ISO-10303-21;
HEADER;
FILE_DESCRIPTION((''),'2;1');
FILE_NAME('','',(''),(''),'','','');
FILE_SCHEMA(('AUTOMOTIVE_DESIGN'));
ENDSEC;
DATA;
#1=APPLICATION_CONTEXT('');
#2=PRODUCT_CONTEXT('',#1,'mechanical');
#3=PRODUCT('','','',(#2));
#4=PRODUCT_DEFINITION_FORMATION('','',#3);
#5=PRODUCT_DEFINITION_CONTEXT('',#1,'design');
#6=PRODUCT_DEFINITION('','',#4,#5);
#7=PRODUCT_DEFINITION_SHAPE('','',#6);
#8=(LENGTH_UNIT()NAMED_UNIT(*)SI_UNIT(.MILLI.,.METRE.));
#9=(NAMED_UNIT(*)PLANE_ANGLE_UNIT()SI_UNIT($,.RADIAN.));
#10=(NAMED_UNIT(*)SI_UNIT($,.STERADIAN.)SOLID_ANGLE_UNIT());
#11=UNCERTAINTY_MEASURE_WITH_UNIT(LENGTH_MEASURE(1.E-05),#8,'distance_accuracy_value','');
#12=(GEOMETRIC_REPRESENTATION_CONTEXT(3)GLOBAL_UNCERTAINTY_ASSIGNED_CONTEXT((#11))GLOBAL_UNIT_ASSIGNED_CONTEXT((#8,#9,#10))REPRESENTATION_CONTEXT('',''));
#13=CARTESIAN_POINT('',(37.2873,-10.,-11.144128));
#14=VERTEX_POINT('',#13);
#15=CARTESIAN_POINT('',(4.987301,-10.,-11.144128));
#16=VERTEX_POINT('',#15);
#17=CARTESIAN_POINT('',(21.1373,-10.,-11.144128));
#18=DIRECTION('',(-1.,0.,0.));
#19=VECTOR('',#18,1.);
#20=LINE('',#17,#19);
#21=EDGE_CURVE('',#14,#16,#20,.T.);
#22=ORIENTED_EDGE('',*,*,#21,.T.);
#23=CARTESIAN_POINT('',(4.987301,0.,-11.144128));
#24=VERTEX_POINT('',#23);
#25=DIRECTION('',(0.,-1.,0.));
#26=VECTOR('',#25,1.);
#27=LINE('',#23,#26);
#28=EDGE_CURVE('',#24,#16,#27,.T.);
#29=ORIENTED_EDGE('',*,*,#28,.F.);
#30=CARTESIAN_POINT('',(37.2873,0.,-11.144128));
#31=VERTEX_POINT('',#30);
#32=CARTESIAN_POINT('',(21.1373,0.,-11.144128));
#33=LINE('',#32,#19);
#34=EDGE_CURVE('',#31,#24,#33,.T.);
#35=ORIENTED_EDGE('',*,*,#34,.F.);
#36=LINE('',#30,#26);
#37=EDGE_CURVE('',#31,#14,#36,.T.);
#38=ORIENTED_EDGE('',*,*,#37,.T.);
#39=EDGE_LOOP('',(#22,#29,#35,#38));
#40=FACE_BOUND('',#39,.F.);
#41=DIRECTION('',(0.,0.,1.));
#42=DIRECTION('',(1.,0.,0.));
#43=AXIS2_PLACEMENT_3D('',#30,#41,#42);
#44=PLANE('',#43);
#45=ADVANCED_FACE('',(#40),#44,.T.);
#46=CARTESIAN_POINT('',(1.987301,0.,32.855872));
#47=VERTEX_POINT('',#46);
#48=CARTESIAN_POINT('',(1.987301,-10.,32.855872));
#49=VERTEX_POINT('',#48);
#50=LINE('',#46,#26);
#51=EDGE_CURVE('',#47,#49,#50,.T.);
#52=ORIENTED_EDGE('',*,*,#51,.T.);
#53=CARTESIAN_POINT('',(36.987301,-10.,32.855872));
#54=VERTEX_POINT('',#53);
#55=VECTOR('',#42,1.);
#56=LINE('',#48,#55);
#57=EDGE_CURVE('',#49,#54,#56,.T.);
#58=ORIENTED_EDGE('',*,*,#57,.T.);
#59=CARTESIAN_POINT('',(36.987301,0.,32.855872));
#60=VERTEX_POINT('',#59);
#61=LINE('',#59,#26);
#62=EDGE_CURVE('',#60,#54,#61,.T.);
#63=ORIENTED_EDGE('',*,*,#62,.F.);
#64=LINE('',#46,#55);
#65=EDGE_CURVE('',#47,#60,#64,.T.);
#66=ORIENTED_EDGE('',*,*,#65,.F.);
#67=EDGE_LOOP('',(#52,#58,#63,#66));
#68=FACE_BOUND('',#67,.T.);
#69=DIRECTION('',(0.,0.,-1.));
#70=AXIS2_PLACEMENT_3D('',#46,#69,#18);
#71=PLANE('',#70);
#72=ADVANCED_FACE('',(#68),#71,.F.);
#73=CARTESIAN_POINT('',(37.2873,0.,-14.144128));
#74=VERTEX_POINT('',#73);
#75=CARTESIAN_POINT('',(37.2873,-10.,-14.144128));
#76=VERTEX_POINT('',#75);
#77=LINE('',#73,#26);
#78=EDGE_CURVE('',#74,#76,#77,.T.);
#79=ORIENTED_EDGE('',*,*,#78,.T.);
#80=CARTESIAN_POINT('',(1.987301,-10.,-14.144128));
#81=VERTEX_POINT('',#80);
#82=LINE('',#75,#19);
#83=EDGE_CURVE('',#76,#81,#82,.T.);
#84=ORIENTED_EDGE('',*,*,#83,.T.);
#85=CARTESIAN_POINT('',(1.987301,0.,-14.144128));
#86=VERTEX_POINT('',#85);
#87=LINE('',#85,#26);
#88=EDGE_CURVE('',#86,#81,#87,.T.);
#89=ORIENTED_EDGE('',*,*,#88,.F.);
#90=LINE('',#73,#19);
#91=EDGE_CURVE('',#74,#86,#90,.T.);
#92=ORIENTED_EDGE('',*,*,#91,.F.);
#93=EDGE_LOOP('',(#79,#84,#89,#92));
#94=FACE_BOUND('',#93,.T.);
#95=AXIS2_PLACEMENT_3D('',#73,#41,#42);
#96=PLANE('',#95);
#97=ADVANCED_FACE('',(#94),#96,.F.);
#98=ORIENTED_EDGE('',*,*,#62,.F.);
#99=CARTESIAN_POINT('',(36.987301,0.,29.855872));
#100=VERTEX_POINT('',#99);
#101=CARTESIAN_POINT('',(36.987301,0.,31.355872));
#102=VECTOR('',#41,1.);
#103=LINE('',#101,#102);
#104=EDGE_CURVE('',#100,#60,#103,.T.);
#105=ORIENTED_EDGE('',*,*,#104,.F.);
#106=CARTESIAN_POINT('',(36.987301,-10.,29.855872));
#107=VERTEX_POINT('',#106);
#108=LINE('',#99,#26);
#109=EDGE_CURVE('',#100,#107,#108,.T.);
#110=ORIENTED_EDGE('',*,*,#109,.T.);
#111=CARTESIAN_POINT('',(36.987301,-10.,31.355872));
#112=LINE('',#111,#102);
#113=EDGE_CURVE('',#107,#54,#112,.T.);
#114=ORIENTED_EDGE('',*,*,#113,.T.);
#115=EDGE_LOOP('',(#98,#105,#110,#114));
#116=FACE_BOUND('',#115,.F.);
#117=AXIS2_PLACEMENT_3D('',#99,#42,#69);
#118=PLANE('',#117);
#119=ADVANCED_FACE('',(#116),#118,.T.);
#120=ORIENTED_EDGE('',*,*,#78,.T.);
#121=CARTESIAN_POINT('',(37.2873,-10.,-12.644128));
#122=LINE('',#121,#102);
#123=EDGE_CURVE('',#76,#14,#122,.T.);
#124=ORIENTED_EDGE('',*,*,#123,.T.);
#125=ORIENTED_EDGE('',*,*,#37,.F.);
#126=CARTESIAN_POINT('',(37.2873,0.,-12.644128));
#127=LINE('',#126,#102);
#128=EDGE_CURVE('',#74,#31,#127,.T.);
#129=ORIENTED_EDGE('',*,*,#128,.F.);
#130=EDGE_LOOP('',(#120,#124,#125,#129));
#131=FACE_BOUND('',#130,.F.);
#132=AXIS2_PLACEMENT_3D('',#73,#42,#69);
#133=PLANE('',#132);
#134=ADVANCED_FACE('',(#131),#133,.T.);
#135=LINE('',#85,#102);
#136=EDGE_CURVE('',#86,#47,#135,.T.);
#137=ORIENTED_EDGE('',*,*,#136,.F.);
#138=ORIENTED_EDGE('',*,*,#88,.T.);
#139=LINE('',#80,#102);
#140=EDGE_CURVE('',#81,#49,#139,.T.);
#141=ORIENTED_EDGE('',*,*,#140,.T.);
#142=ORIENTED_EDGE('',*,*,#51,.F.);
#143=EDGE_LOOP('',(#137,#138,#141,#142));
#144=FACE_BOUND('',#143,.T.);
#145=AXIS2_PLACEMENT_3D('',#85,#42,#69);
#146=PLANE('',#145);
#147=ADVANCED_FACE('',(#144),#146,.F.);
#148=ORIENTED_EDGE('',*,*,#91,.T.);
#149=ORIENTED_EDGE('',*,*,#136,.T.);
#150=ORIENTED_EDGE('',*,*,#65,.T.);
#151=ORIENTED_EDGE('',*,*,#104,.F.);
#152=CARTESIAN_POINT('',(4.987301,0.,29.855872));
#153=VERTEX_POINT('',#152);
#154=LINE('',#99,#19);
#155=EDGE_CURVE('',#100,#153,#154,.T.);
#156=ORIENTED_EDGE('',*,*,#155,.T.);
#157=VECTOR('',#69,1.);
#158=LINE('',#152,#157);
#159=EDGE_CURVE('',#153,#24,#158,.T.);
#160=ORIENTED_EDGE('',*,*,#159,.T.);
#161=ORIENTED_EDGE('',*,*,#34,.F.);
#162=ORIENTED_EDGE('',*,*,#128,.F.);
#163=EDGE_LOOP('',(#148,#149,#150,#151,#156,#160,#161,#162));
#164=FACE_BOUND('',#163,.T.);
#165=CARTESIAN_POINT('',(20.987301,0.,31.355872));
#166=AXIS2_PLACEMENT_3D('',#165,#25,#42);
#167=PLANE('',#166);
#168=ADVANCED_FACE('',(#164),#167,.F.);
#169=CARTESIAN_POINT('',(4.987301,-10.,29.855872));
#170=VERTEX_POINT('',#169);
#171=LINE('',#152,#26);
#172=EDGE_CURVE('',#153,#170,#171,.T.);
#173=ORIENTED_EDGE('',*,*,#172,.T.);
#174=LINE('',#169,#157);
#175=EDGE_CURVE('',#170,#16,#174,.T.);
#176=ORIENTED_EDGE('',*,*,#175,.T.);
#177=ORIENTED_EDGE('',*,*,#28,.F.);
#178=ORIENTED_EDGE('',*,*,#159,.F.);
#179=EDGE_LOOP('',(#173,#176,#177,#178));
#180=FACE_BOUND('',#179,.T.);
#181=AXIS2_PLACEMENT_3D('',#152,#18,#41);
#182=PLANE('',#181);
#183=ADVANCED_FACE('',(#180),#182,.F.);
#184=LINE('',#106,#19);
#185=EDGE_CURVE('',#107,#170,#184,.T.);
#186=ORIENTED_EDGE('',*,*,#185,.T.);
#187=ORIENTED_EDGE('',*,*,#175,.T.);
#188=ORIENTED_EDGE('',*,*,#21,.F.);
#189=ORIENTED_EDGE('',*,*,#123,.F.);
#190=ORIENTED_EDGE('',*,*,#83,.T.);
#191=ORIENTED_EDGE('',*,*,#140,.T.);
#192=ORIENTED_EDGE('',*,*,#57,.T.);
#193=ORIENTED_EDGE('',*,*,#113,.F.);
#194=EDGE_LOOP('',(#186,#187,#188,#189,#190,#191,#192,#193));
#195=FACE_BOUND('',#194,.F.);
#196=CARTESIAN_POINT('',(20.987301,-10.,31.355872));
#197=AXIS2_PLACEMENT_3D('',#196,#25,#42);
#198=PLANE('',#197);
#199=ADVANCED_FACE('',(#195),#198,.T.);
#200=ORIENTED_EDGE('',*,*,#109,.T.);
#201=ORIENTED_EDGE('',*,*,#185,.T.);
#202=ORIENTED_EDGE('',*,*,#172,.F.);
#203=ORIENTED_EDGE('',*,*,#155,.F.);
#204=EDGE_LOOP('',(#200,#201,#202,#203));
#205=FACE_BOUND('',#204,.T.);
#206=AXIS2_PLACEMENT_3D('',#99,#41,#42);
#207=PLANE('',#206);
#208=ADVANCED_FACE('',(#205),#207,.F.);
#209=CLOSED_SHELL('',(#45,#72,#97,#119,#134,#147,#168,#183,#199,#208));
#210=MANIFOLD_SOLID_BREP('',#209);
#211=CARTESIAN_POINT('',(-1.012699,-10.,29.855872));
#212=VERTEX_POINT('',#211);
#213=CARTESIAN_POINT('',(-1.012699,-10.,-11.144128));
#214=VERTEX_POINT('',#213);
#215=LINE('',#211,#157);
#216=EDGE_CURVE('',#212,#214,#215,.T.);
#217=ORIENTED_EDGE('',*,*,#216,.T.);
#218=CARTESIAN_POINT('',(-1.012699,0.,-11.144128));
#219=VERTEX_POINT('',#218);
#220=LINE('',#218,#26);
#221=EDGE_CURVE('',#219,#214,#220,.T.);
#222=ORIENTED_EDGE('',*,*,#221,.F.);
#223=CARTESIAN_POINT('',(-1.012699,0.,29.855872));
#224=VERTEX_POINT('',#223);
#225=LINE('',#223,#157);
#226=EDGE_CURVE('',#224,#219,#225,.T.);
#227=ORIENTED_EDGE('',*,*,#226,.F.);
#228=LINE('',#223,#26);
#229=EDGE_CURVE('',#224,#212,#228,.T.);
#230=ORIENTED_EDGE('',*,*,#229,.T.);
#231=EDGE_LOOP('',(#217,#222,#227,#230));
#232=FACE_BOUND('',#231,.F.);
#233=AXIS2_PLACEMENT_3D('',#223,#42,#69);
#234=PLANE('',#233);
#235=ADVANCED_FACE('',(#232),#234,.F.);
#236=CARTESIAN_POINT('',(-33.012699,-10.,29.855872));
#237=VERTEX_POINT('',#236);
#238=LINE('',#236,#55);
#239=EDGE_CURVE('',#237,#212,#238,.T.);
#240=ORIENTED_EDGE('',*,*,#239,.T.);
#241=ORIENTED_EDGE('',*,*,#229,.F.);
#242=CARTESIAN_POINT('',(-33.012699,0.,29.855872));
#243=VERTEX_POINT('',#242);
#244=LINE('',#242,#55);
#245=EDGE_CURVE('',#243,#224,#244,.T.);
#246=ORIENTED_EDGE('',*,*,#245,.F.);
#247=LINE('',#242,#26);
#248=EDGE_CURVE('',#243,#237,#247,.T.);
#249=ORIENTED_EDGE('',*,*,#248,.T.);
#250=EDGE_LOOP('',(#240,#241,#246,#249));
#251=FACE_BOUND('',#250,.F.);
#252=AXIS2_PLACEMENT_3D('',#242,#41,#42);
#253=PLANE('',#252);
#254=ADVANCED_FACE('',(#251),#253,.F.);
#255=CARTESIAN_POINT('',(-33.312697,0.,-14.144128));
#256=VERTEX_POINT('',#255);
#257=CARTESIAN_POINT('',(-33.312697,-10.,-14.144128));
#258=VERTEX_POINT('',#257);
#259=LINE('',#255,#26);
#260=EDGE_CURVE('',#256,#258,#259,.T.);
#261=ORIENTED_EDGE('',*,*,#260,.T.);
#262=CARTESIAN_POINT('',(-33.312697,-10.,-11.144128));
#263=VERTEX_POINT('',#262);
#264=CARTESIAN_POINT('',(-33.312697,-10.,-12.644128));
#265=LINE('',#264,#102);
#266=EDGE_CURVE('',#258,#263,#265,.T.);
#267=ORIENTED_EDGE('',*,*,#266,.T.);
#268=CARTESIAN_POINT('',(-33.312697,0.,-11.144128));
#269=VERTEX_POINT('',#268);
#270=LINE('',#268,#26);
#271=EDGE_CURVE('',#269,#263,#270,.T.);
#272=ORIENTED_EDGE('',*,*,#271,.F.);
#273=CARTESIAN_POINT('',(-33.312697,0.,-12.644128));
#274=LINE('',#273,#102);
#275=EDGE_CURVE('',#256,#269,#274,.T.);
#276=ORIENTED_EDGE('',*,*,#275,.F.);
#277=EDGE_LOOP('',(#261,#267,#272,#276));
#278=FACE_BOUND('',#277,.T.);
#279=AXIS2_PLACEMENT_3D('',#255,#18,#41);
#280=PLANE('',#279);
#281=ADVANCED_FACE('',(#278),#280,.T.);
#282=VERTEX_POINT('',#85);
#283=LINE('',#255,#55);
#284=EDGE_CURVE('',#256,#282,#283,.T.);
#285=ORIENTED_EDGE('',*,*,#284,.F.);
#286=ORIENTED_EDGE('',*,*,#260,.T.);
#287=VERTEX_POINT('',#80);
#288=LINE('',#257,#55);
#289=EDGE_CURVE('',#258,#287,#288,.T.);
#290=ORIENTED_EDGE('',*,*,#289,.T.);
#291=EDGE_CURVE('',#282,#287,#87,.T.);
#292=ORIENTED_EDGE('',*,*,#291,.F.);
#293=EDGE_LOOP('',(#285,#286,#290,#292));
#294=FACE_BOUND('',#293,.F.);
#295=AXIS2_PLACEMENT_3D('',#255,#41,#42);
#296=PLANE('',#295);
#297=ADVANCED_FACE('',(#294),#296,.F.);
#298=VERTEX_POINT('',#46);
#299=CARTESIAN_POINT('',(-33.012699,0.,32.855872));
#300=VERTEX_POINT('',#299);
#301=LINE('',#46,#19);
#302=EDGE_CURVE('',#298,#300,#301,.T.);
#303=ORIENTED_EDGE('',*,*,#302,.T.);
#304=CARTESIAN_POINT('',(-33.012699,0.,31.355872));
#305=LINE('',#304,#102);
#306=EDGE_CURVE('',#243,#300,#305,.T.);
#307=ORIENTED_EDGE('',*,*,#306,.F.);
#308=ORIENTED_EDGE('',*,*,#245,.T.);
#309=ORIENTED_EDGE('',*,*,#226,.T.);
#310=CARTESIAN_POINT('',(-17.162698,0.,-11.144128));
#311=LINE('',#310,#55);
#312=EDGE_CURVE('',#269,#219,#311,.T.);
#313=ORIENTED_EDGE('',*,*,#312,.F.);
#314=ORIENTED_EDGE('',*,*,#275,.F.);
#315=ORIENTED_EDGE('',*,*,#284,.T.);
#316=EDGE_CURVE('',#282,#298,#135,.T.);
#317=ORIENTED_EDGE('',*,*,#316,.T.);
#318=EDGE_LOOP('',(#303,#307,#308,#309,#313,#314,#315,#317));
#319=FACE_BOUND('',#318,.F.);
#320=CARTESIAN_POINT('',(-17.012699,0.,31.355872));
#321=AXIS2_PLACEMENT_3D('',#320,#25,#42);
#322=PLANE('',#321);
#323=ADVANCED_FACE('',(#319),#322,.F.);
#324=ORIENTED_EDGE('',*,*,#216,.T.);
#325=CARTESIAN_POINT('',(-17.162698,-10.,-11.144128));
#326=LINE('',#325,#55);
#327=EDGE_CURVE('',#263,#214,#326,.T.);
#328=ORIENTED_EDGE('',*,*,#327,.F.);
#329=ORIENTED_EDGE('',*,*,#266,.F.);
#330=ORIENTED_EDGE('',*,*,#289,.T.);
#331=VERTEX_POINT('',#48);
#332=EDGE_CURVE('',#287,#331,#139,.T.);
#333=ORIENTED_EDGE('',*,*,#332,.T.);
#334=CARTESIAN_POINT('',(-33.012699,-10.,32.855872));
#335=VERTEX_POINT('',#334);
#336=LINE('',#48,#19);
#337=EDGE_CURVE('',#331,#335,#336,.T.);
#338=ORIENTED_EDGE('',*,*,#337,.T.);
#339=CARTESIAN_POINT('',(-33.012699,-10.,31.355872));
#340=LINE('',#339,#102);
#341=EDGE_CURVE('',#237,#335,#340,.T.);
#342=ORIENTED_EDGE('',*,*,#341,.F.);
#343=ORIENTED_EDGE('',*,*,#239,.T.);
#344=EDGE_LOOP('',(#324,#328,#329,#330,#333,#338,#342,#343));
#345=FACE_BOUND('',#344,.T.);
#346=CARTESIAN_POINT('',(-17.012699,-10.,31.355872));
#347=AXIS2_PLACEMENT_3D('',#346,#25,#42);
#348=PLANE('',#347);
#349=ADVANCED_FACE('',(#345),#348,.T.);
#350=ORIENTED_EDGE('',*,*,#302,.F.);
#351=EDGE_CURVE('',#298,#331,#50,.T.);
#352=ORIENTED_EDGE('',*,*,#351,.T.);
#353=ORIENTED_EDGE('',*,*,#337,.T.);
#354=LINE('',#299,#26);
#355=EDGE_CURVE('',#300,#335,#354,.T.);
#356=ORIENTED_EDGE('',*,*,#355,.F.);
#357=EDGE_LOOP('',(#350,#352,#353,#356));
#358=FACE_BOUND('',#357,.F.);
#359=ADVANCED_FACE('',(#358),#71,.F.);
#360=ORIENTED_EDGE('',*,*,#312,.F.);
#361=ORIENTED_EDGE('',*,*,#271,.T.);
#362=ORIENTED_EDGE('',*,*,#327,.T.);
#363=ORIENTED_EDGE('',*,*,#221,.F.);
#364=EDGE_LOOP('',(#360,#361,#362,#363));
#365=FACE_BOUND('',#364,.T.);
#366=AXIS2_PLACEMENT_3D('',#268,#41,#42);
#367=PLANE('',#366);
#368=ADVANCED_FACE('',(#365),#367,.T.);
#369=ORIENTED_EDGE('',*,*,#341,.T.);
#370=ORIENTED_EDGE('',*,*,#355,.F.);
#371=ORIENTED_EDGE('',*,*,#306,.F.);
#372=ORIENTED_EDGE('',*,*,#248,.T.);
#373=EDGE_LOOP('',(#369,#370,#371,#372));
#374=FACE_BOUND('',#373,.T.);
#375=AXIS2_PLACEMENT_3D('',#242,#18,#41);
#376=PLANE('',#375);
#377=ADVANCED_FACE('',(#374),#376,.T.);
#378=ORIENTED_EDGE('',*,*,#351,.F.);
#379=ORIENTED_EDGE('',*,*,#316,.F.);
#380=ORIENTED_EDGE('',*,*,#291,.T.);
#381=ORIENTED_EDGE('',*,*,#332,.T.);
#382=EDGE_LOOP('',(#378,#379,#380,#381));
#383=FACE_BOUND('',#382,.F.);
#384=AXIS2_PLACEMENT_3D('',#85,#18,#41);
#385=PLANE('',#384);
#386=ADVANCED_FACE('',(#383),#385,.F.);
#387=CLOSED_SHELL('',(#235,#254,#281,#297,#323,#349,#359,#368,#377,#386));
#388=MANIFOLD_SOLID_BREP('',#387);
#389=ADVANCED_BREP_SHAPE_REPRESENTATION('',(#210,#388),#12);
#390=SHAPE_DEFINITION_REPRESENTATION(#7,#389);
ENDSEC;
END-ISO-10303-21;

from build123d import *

# Parameters (mm, degrees)
F0_W     = 32
F0_H     = 3
F0_W_2   = 3
F0_H_2   = 41
F0_W_3   = 32.299999
F1_DEPTH = 10


with BuildPart() as f1:
    # F0 (on Front) → F1 (new body)
    with BuildSketch(Plane.XZ):
        with Locations((-17.012699, 31.355872)):
            Rectangle(F0_W, F0_H)
        with Locations((0.487301, 31.355872)):
            Rectangle(F0_W_2, F0_H)
        with Locations((0.487301, 9.355872)):
            Rectangle(F0_W_2, F0_H_2)
        with Locations((0.487301, -12.644128)):
            Rectangle(F0_W_2, F0_H)
        with Locations((-17.162698, -12.644128)):
            Rectangle(F0_W_3, F0_H)
    extrude(amount=F1_DEPTH)


with BuildPart() as f2_1:
    # F2: instance of F1
    add(f1.part.mirror(Plane(origin=(1.987301, -5, 9.355872), x_dir=(0, 1, 0), z_dir=(1, 0, 0))))


solid = Compound([f1.part, f2_1.part])
